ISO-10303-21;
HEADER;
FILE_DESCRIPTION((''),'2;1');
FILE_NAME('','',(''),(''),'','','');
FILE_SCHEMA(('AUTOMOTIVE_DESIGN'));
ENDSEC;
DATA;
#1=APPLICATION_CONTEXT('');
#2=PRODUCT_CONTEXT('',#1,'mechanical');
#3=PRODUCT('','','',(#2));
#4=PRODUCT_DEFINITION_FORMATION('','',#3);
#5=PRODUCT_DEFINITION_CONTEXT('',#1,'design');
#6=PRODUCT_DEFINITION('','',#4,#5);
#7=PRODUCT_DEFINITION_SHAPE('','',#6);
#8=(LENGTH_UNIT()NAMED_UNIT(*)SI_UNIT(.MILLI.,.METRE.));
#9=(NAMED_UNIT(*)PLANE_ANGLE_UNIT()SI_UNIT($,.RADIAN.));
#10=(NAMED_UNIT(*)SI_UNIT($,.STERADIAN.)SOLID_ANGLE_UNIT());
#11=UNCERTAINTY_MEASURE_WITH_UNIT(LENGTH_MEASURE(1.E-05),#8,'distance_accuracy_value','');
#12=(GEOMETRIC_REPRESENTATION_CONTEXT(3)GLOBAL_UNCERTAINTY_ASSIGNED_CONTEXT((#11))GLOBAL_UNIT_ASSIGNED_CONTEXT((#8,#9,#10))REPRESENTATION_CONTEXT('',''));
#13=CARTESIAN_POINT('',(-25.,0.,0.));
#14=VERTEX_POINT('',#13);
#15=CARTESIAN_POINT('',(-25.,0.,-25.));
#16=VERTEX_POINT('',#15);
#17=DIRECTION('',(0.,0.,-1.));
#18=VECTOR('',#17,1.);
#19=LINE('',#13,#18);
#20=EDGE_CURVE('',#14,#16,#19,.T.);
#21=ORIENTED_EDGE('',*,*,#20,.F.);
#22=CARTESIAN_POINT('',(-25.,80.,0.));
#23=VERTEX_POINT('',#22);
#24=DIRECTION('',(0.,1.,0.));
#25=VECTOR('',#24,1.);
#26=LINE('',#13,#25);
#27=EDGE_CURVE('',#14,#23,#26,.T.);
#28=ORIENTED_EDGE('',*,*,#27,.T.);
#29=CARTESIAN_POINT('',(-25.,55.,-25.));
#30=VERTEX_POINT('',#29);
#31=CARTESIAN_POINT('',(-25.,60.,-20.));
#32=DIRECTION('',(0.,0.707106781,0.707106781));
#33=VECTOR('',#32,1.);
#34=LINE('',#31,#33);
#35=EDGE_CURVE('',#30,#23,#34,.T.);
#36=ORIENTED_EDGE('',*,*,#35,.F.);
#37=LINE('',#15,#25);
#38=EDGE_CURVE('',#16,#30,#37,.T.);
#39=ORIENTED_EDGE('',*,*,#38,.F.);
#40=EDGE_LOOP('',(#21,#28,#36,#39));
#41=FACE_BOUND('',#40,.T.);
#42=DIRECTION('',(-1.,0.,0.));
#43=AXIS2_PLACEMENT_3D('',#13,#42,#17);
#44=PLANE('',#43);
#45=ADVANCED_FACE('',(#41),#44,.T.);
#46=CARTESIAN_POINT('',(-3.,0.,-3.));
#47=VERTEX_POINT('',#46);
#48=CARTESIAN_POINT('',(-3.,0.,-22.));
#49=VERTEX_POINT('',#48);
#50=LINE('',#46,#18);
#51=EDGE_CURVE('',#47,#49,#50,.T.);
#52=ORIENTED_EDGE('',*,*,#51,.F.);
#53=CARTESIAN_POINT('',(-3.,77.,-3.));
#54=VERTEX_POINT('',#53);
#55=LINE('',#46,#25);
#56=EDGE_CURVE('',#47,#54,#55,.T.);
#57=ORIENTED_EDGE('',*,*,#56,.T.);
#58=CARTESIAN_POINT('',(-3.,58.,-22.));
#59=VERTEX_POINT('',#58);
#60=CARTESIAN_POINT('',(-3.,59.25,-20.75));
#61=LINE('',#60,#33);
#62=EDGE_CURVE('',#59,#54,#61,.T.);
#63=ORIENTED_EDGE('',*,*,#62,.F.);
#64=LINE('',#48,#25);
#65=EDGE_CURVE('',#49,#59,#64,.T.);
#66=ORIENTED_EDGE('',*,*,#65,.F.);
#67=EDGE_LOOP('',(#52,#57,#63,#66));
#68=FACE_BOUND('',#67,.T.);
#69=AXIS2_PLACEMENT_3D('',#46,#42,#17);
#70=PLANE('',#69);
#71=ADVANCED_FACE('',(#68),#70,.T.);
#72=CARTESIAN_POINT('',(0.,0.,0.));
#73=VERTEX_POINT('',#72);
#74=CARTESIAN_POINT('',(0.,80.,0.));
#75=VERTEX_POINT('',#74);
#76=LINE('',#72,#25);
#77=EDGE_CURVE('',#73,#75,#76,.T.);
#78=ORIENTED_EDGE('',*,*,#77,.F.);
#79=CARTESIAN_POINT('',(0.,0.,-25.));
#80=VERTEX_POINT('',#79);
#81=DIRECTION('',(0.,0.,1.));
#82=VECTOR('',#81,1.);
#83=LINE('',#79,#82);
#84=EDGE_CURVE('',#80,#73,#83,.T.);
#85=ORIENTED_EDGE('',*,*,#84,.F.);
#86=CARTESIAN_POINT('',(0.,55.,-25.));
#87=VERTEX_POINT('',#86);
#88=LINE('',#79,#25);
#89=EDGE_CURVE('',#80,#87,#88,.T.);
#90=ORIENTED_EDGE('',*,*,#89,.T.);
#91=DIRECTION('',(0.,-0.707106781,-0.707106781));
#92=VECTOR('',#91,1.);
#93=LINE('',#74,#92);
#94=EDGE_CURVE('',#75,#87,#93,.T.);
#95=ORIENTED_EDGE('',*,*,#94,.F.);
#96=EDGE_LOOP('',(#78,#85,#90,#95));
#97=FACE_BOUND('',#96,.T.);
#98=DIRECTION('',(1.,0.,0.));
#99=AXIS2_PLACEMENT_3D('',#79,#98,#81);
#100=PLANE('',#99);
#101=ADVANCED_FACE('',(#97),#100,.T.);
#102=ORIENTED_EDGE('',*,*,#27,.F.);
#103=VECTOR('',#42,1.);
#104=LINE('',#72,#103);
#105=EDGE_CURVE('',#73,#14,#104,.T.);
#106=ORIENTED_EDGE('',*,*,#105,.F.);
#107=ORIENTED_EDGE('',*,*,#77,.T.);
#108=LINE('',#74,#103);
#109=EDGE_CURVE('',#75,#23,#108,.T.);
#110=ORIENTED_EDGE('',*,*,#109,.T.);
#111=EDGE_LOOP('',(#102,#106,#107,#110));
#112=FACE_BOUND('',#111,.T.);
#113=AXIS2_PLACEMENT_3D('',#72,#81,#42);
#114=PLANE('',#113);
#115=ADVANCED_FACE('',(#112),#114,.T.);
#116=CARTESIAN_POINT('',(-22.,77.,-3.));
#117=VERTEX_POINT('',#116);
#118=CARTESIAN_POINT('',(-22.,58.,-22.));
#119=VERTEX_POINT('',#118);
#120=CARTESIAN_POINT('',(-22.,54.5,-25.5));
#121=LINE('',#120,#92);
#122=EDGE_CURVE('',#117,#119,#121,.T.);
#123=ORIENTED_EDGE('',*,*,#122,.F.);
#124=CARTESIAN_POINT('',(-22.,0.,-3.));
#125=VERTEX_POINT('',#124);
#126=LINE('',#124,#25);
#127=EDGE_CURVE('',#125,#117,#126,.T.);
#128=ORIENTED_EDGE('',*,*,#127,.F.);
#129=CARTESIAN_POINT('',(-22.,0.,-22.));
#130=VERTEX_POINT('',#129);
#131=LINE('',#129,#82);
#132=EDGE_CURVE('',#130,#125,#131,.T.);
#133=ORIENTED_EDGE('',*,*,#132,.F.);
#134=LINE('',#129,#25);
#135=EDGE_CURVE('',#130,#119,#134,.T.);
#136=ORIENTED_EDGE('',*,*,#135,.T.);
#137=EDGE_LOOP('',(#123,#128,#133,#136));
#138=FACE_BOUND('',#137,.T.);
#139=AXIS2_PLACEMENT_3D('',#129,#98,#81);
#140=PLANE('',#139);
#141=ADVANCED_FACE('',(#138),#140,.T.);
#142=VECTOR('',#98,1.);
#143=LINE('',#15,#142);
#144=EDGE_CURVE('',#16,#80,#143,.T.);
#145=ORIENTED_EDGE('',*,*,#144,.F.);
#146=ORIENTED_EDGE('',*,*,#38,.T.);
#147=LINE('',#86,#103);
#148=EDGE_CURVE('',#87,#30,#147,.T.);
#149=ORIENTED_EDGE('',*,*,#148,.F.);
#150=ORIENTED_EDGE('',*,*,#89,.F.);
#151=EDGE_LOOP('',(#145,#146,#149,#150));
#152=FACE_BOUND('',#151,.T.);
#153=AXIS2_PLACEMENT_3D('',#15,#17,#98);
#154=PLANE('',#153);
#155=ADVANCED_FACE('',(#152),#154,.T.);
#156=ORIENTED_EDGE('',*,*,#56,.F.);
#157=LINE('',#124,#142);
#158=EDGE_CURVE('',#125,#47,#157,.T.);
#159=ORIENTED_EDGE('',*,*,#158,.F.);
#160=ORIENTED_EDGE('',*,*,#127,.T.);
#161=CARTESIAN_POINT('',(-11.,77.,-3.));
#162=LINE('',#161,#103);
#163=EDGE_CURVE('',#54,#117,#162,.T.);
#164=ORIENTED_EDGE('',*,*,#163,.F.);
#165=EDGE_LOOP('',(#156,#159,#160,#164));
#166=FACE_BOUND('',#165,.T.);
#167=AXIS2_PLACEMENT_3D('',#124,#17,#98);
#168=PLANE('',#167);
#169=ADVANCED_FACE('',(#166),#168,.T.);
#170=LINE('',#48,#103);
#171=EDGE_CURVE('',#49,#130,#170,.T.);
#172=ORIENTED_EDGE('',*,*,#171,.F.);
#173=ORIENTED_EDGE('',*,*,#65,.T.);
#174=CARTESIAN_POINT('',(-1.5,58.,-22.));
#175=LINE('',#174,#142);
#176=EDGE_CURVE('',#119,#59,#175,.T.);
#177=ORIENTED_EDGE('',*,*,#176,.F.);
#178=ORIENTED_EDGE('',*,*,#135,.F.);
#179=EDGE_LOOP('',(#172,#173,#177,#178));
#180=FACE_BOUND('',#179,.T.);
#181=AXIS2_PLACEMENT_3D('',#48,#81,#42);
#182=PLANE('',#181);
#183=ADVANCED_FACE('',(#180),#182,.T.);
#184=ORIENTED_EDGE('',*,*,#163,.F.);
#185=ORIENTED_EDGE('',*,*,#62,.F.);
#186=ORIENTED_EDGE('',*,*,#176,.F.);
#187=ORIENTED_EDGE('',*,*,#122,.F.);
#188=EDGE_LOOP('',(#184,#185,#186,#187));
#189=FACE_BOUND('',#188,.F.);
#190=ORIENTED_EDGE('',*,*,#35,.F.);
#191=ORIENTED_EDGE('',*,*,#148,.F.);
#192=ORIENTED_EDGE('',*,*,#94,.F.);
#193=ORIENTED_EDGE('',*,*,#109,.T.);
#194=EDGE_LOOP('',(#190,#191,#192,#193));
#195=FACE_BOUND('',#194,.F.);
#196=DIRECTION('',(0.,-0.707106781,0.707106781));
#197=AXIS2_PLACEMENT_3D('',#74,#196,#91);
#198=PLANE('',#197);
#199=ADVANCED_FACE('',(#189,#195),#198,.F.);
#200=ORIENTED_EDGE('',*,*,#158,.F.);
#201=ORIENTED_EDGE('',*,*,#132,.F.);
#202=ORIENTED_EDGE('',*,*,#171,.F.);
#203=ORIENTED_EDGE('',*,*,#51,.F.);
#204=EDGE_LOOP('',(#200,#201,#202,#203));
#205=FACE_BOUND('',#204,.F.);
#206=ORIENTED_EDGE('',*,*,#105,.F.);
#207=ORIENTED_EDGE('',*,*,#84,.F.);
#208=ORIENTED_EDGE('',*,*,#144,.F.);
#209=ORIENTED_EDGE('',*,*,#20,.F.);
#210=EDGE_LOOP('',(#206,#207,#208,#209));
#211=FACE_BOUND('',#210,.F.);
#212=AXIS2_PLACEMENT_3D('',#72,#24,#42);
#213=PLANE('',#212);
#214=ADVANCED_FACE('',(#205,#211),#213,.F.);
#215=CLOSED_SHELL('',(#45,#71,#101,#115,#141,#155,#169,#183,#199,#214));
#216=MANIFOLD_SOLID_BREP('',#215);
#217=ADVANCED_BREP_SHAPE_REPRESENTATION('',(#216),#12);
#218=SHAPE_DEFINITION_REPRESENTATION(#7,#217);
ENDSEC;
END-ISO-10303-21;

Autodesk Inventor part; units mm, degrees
ref_plane "YZ Plane" through (0, 0, 0) normal (1, 0, 0) x (0, 1, 0)
ref_plane "XZ Plane" through (0, 0, 0) normal (0, 1, 0) x (-1, 0, 0)
ref_plane "XY Plane" through (0, 0, 0) normal (0, 0, 1) x (1, 0, 0)
sketch "Sketch1" plane through (0, 0, 0) normal (0, 1, 0) x (-1, 0, 0)
  line L0 (0, 0) -> (25, 0)
  line L1 (25, 0) -> (25, -25)
  line L2 (25, -25) -> (0, -25)
  line L3 (0, -25) -> (0, 0)
  line L4 (22, -22) -> (22, -3)
  line L5 (22, -3) -> (3, -3)
  line L6 (3, -3) -> (3, -22)
  line L7 (3, -22) -> (22, -22)
  dimension "d0" = 25
  dimension "d1" = 25
  dimension "d2" = 3
extrude "Extrusion1" add sketch "Sketch1" along normal blind 80
sketch "Sketch2" plane through (0, 0, 0) normal (1, 0, 0) x (0, 0, -1)
  line L0 (0, 0) -> (25, 0) projected
  line L1 (25, 0) -> (25, 80) projected
  line L2 (0, 80) -> (25, 80) projected
  line L3 (0, 0) -> (0, 80) projected
  line L4 (0, 0) -> (0, 80) projected
  line L5 (0, 80) -> (25, 55)
  line L6 (0, 80) -> (35.3553, 80) construction
  dimension "d5" = 45
extrude "Extrusion2" cut sketch "Sketch2" against normal blind 80 contours L2 L1 L5
properties part number "P403" material "Aluminum 6061"
